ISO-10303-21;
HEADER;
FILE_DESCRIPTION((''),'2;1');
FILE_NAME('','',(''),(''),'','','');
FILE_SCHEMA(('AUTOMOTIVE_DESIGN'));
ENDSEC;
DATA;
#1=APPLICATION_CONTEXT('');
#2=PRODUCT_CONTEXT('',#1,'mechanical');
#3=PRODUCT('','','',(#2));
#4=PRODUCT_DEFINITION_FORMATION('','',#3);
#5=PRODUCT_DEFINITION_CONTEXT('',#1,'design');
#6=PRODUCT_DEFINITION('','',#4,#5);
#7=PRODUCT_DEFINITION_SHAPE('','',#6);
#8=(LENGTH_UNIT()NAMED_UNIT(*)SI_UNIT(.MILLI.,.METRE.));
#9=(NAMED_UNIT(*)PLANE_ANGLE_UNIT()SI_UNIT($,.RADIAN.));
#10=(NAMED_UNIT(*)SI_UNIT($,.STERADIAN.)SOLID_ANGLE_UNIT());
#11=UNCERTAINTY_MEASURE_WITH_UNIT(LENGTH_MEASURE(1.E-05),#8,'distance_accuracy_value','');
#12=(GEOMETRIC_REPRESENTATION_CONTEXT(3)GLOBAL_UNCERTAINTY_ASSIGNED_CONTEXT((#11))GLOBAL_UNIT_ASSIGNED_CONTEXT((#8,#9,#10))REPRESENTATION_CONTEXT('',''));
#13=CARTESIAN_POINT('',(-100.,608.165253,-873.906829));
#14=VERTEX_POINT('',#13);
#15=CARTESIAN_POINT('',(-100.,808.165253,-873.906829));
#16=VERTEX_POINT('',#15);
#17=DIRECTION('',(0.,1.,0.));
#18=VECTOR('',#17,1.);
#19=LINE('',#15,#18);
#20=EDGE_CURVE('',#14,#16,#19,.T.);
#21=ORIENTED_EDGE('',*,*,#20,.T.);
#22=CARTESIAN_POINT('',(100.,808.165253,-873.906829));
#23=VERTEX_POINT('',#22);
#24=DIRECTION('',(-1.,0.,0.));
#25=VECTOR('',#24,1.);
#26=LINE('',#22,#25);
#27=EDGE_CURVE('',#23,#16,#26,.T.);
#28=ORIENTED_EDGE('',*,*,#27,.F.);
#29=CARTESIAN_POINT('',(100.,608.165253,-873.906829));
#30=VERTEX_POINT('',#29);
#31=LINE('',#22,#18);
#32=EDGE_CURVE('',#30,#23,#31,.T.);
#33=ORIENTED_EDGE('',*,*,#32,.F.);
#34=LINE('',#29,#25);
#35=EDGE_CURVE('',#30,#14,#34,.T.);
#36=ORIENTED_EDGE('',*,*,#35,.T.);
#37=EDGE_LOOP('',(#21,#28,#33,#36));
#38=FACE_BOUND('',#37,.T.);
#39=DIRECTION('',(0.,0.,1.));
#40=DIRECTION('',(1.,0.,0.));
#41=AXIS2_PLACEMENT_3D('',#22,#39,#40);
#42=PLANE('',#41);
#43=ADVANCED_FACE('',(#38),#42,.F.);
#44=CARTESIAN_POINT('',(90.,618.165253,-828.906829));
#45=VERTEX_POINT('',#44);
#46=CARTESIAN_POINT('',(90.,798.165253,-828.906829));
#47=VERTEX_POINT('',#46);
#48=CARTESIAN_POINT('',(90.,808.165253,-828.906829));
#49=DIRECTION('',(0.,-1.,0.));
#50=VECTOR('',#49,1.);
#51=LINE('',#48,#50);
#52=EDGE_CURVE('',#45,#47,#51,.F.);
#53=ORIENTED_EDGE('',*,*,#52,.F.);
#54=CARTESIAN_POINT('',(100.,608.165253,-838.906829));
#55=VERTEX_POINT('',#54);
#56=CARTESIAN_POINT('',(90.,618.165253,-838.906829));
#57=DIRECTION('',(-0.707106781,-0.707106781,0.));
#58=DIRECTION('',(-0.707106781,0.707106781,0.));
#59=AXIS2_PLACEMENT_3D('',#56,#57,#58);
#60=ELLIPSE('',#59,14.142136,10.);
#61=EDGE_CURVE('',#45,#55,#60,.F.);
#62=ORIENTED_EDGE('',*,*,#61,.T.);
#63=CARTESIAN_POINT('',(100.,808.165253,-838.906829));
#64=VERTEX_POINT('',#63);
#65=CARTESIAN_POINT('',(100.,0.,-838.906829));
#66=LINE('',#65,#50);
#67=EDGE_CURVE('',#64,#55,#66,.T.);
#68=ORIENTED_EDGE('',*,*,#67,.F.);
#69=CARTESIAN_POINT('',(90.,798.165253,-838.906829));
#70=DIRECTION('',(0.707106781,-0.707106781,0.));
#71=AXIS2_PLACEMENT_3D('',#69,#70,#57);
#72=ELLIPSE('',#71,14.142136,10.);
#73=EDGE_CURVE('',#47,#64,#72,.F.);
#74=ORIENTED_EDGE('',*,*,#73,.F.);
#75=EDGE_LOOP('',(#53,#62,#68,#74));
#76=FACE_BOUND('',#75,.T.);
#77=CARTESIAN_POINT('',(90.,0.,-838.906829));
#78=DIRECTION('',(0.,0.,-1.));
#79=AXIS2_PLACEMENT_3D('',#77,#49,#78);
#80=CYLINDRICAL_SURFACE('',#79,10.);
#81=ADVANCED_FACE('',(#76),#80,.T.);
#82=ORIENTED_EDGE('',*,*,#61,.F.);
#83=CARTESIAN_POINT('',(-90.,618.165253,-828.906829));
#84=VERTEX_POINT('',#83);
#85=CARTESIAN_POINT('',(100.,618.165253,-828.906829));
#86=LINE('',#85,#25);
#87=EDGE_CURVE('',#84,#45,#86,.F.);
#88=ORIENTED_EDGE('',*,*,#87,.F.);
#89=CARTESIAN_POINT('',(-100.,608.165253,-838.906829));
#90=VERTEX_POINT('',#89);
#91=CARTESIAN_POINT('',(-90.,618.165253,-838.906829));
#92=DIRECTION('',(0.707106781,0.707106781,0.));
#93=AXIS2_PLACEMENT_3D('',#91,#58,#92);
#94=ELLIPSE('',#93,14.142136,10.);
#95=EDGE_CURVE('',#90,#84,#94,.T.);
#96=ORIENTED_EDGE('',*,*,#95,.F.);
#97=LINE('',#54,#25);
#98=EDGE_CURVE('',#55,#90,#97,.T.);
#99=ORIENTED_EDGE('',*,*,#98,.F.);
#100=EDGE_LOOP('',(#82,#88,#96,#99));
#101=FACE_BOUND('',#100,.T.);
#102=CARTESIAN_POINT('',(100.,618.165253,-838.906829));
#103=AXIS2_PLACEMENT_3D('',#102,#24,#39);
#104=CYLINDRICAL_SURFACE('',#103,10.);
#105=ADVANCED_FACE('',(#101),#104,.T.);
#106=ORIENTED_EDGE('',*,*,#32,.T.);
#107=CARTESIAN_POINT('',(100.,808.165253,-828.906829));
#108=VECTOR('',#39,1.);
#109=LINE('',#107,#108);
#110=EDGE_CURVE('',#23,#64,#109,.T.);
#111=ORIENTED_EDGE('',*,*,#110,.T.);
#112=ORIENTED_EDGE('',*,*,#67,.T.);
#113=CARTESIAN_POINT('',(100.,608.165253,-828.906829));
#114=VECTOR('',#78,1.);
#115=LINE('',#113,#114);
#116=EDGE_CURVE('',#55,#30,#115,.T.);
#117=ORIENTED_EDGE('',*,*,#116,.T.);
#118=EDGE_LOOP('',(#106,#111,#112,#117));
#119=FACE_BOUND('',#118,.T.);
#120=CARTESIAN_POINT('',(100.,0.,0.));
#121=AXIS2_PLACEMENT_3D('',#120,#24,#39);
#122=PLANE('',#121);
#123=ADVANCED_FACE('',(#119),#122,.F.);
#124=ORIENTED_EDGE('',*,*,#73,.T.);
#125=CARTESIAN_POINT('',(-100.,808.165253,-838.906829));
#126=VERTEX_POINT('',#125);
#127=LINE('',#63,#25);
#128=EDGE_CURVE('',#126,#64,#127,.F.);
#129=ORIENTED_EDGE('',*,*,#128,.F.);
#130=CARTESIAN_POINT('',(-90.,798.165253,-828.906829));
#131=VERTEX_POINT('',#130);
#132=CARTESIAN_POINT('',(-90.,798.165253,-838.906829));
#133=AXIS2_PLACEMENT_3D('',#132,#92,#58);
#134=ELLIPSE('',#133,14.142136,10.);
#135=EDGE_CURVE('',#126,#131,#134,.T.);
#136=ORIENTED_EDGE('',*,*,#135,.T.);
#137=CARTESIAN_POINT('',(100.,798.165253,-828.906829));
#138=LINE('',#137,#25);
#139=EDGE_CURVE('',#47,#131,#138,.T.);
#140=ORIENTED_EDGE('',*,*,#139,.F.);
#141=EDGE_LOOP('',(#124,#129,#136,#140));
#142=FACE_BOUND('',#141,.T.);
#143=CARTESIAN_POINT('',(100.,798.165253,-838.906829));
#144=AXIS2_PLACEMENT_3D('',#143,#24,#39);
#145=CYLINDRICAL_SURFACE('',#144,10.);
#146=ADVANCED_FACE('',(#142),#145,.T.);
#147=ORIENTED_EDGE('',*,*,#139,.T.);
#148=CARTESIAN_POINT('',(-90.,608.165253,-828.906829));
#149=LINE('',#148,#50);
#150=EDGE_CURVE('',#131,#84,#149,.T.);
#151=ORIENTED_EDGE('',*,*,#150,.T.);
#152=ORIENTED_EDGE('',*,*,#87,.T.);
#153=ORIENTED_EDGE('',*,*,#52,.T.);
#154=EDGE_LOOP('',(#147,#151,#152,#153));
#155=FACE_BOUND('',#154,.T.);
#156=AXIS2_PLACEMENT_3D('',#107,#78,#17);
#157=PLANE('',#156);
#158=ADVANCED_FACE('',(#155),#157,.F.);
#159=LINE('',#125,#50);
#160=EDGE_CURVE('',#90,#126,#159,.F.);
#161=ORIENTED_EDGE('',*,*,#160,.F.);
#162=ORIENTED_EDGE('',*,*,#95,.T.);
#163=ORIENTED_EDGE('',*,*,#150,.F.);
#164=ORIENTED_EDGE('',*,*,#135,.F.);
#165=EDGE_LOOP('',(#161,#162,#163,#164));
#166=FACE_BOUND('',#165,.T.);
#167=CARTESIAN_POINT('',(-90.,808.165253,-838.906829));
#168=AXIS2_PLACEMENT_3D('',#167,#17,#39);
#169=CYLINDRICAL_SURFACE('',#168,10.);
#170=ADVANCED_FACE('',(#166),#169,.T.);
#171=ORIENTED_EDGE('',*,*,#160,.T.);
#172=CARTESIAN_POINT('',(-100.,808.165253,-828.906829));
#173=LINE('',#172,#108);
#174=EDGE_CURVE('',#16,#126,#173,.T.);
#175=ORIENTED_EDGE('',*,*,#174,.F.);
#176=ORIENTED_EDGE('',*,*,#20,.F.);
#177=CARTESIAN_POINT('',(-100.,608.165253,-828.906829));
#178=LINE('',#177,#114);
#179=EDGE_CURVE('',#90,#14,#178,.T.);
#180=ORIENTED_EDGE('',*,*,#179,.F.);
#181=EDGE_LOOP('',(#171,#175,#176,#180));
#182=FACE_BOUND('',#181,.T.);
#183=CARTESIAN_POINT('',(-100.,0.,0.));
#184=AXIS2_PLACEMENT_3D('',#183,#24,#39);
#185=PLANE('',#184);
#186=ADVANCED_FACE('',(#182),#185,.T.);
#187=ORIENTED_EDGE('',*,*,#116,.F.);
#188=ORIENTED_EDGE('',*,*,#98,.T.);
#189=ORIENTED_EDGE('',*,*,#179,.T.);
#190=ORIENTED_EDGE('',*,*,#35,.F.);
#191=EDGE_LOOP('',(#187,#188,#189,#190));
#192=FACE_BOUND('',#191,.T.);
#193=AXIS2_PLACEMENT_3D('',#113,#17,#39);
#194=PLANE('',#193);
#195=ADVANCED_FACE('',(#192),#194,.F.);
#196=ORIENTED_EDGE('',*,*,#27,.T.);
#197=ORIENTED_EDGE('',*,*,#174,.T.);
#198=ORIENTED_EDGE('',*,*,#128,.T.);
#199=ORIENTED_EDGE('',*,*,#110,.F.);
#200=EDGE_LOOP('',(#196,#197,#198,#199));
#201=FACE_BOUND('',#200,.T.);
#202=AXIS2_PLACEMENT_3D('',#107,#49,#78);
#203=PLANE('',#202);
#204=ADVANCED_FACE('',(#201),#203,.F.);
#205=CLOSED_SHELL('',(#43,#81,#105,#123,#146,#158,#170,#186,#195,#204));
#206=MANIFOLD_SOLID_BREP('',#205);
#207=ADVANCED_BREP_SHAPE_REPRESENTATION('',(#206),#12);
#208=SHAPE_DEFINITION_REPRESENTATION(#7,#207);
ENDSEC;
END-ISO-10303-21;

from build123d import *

# Parameters (mm, degrees)
SKETCH1_W           = 45
SKETCH1_H           = 200
BOSS_EXTRUDE1_DEPTH = 100
FILLET1_R           = 10


with BuildPart() as part:
    # Sketch1 → Boss-Extrude1 (new body, symmetric)
    with BuildSketch(Plane(origin=(0, 0, 0), x_dir=(0, 0, -1), z_dir=(1, 0, 0))):
        with Locations((851.406828676, 708.165252796)):
            Rectangle(SKETCH1_W, SKETCH1_H)
    extrude(amount=BOSS_EXTRUDE1_DEPTH, both=True)

    # Fillet1
    fillet1_edges = [part.edges().sort_by_distance(p)[0] for p in [
        (-100, 708.165252796, -828.906828676),
        (0, 608.165252796, -828.906828676),
        (0, 808.165252796, -828.906828676),
        (100, 708.165252796, -828.906828676),
    ]]
    fillet(fillet1_edges, radius=FILLET1_R)


solid = part.part
